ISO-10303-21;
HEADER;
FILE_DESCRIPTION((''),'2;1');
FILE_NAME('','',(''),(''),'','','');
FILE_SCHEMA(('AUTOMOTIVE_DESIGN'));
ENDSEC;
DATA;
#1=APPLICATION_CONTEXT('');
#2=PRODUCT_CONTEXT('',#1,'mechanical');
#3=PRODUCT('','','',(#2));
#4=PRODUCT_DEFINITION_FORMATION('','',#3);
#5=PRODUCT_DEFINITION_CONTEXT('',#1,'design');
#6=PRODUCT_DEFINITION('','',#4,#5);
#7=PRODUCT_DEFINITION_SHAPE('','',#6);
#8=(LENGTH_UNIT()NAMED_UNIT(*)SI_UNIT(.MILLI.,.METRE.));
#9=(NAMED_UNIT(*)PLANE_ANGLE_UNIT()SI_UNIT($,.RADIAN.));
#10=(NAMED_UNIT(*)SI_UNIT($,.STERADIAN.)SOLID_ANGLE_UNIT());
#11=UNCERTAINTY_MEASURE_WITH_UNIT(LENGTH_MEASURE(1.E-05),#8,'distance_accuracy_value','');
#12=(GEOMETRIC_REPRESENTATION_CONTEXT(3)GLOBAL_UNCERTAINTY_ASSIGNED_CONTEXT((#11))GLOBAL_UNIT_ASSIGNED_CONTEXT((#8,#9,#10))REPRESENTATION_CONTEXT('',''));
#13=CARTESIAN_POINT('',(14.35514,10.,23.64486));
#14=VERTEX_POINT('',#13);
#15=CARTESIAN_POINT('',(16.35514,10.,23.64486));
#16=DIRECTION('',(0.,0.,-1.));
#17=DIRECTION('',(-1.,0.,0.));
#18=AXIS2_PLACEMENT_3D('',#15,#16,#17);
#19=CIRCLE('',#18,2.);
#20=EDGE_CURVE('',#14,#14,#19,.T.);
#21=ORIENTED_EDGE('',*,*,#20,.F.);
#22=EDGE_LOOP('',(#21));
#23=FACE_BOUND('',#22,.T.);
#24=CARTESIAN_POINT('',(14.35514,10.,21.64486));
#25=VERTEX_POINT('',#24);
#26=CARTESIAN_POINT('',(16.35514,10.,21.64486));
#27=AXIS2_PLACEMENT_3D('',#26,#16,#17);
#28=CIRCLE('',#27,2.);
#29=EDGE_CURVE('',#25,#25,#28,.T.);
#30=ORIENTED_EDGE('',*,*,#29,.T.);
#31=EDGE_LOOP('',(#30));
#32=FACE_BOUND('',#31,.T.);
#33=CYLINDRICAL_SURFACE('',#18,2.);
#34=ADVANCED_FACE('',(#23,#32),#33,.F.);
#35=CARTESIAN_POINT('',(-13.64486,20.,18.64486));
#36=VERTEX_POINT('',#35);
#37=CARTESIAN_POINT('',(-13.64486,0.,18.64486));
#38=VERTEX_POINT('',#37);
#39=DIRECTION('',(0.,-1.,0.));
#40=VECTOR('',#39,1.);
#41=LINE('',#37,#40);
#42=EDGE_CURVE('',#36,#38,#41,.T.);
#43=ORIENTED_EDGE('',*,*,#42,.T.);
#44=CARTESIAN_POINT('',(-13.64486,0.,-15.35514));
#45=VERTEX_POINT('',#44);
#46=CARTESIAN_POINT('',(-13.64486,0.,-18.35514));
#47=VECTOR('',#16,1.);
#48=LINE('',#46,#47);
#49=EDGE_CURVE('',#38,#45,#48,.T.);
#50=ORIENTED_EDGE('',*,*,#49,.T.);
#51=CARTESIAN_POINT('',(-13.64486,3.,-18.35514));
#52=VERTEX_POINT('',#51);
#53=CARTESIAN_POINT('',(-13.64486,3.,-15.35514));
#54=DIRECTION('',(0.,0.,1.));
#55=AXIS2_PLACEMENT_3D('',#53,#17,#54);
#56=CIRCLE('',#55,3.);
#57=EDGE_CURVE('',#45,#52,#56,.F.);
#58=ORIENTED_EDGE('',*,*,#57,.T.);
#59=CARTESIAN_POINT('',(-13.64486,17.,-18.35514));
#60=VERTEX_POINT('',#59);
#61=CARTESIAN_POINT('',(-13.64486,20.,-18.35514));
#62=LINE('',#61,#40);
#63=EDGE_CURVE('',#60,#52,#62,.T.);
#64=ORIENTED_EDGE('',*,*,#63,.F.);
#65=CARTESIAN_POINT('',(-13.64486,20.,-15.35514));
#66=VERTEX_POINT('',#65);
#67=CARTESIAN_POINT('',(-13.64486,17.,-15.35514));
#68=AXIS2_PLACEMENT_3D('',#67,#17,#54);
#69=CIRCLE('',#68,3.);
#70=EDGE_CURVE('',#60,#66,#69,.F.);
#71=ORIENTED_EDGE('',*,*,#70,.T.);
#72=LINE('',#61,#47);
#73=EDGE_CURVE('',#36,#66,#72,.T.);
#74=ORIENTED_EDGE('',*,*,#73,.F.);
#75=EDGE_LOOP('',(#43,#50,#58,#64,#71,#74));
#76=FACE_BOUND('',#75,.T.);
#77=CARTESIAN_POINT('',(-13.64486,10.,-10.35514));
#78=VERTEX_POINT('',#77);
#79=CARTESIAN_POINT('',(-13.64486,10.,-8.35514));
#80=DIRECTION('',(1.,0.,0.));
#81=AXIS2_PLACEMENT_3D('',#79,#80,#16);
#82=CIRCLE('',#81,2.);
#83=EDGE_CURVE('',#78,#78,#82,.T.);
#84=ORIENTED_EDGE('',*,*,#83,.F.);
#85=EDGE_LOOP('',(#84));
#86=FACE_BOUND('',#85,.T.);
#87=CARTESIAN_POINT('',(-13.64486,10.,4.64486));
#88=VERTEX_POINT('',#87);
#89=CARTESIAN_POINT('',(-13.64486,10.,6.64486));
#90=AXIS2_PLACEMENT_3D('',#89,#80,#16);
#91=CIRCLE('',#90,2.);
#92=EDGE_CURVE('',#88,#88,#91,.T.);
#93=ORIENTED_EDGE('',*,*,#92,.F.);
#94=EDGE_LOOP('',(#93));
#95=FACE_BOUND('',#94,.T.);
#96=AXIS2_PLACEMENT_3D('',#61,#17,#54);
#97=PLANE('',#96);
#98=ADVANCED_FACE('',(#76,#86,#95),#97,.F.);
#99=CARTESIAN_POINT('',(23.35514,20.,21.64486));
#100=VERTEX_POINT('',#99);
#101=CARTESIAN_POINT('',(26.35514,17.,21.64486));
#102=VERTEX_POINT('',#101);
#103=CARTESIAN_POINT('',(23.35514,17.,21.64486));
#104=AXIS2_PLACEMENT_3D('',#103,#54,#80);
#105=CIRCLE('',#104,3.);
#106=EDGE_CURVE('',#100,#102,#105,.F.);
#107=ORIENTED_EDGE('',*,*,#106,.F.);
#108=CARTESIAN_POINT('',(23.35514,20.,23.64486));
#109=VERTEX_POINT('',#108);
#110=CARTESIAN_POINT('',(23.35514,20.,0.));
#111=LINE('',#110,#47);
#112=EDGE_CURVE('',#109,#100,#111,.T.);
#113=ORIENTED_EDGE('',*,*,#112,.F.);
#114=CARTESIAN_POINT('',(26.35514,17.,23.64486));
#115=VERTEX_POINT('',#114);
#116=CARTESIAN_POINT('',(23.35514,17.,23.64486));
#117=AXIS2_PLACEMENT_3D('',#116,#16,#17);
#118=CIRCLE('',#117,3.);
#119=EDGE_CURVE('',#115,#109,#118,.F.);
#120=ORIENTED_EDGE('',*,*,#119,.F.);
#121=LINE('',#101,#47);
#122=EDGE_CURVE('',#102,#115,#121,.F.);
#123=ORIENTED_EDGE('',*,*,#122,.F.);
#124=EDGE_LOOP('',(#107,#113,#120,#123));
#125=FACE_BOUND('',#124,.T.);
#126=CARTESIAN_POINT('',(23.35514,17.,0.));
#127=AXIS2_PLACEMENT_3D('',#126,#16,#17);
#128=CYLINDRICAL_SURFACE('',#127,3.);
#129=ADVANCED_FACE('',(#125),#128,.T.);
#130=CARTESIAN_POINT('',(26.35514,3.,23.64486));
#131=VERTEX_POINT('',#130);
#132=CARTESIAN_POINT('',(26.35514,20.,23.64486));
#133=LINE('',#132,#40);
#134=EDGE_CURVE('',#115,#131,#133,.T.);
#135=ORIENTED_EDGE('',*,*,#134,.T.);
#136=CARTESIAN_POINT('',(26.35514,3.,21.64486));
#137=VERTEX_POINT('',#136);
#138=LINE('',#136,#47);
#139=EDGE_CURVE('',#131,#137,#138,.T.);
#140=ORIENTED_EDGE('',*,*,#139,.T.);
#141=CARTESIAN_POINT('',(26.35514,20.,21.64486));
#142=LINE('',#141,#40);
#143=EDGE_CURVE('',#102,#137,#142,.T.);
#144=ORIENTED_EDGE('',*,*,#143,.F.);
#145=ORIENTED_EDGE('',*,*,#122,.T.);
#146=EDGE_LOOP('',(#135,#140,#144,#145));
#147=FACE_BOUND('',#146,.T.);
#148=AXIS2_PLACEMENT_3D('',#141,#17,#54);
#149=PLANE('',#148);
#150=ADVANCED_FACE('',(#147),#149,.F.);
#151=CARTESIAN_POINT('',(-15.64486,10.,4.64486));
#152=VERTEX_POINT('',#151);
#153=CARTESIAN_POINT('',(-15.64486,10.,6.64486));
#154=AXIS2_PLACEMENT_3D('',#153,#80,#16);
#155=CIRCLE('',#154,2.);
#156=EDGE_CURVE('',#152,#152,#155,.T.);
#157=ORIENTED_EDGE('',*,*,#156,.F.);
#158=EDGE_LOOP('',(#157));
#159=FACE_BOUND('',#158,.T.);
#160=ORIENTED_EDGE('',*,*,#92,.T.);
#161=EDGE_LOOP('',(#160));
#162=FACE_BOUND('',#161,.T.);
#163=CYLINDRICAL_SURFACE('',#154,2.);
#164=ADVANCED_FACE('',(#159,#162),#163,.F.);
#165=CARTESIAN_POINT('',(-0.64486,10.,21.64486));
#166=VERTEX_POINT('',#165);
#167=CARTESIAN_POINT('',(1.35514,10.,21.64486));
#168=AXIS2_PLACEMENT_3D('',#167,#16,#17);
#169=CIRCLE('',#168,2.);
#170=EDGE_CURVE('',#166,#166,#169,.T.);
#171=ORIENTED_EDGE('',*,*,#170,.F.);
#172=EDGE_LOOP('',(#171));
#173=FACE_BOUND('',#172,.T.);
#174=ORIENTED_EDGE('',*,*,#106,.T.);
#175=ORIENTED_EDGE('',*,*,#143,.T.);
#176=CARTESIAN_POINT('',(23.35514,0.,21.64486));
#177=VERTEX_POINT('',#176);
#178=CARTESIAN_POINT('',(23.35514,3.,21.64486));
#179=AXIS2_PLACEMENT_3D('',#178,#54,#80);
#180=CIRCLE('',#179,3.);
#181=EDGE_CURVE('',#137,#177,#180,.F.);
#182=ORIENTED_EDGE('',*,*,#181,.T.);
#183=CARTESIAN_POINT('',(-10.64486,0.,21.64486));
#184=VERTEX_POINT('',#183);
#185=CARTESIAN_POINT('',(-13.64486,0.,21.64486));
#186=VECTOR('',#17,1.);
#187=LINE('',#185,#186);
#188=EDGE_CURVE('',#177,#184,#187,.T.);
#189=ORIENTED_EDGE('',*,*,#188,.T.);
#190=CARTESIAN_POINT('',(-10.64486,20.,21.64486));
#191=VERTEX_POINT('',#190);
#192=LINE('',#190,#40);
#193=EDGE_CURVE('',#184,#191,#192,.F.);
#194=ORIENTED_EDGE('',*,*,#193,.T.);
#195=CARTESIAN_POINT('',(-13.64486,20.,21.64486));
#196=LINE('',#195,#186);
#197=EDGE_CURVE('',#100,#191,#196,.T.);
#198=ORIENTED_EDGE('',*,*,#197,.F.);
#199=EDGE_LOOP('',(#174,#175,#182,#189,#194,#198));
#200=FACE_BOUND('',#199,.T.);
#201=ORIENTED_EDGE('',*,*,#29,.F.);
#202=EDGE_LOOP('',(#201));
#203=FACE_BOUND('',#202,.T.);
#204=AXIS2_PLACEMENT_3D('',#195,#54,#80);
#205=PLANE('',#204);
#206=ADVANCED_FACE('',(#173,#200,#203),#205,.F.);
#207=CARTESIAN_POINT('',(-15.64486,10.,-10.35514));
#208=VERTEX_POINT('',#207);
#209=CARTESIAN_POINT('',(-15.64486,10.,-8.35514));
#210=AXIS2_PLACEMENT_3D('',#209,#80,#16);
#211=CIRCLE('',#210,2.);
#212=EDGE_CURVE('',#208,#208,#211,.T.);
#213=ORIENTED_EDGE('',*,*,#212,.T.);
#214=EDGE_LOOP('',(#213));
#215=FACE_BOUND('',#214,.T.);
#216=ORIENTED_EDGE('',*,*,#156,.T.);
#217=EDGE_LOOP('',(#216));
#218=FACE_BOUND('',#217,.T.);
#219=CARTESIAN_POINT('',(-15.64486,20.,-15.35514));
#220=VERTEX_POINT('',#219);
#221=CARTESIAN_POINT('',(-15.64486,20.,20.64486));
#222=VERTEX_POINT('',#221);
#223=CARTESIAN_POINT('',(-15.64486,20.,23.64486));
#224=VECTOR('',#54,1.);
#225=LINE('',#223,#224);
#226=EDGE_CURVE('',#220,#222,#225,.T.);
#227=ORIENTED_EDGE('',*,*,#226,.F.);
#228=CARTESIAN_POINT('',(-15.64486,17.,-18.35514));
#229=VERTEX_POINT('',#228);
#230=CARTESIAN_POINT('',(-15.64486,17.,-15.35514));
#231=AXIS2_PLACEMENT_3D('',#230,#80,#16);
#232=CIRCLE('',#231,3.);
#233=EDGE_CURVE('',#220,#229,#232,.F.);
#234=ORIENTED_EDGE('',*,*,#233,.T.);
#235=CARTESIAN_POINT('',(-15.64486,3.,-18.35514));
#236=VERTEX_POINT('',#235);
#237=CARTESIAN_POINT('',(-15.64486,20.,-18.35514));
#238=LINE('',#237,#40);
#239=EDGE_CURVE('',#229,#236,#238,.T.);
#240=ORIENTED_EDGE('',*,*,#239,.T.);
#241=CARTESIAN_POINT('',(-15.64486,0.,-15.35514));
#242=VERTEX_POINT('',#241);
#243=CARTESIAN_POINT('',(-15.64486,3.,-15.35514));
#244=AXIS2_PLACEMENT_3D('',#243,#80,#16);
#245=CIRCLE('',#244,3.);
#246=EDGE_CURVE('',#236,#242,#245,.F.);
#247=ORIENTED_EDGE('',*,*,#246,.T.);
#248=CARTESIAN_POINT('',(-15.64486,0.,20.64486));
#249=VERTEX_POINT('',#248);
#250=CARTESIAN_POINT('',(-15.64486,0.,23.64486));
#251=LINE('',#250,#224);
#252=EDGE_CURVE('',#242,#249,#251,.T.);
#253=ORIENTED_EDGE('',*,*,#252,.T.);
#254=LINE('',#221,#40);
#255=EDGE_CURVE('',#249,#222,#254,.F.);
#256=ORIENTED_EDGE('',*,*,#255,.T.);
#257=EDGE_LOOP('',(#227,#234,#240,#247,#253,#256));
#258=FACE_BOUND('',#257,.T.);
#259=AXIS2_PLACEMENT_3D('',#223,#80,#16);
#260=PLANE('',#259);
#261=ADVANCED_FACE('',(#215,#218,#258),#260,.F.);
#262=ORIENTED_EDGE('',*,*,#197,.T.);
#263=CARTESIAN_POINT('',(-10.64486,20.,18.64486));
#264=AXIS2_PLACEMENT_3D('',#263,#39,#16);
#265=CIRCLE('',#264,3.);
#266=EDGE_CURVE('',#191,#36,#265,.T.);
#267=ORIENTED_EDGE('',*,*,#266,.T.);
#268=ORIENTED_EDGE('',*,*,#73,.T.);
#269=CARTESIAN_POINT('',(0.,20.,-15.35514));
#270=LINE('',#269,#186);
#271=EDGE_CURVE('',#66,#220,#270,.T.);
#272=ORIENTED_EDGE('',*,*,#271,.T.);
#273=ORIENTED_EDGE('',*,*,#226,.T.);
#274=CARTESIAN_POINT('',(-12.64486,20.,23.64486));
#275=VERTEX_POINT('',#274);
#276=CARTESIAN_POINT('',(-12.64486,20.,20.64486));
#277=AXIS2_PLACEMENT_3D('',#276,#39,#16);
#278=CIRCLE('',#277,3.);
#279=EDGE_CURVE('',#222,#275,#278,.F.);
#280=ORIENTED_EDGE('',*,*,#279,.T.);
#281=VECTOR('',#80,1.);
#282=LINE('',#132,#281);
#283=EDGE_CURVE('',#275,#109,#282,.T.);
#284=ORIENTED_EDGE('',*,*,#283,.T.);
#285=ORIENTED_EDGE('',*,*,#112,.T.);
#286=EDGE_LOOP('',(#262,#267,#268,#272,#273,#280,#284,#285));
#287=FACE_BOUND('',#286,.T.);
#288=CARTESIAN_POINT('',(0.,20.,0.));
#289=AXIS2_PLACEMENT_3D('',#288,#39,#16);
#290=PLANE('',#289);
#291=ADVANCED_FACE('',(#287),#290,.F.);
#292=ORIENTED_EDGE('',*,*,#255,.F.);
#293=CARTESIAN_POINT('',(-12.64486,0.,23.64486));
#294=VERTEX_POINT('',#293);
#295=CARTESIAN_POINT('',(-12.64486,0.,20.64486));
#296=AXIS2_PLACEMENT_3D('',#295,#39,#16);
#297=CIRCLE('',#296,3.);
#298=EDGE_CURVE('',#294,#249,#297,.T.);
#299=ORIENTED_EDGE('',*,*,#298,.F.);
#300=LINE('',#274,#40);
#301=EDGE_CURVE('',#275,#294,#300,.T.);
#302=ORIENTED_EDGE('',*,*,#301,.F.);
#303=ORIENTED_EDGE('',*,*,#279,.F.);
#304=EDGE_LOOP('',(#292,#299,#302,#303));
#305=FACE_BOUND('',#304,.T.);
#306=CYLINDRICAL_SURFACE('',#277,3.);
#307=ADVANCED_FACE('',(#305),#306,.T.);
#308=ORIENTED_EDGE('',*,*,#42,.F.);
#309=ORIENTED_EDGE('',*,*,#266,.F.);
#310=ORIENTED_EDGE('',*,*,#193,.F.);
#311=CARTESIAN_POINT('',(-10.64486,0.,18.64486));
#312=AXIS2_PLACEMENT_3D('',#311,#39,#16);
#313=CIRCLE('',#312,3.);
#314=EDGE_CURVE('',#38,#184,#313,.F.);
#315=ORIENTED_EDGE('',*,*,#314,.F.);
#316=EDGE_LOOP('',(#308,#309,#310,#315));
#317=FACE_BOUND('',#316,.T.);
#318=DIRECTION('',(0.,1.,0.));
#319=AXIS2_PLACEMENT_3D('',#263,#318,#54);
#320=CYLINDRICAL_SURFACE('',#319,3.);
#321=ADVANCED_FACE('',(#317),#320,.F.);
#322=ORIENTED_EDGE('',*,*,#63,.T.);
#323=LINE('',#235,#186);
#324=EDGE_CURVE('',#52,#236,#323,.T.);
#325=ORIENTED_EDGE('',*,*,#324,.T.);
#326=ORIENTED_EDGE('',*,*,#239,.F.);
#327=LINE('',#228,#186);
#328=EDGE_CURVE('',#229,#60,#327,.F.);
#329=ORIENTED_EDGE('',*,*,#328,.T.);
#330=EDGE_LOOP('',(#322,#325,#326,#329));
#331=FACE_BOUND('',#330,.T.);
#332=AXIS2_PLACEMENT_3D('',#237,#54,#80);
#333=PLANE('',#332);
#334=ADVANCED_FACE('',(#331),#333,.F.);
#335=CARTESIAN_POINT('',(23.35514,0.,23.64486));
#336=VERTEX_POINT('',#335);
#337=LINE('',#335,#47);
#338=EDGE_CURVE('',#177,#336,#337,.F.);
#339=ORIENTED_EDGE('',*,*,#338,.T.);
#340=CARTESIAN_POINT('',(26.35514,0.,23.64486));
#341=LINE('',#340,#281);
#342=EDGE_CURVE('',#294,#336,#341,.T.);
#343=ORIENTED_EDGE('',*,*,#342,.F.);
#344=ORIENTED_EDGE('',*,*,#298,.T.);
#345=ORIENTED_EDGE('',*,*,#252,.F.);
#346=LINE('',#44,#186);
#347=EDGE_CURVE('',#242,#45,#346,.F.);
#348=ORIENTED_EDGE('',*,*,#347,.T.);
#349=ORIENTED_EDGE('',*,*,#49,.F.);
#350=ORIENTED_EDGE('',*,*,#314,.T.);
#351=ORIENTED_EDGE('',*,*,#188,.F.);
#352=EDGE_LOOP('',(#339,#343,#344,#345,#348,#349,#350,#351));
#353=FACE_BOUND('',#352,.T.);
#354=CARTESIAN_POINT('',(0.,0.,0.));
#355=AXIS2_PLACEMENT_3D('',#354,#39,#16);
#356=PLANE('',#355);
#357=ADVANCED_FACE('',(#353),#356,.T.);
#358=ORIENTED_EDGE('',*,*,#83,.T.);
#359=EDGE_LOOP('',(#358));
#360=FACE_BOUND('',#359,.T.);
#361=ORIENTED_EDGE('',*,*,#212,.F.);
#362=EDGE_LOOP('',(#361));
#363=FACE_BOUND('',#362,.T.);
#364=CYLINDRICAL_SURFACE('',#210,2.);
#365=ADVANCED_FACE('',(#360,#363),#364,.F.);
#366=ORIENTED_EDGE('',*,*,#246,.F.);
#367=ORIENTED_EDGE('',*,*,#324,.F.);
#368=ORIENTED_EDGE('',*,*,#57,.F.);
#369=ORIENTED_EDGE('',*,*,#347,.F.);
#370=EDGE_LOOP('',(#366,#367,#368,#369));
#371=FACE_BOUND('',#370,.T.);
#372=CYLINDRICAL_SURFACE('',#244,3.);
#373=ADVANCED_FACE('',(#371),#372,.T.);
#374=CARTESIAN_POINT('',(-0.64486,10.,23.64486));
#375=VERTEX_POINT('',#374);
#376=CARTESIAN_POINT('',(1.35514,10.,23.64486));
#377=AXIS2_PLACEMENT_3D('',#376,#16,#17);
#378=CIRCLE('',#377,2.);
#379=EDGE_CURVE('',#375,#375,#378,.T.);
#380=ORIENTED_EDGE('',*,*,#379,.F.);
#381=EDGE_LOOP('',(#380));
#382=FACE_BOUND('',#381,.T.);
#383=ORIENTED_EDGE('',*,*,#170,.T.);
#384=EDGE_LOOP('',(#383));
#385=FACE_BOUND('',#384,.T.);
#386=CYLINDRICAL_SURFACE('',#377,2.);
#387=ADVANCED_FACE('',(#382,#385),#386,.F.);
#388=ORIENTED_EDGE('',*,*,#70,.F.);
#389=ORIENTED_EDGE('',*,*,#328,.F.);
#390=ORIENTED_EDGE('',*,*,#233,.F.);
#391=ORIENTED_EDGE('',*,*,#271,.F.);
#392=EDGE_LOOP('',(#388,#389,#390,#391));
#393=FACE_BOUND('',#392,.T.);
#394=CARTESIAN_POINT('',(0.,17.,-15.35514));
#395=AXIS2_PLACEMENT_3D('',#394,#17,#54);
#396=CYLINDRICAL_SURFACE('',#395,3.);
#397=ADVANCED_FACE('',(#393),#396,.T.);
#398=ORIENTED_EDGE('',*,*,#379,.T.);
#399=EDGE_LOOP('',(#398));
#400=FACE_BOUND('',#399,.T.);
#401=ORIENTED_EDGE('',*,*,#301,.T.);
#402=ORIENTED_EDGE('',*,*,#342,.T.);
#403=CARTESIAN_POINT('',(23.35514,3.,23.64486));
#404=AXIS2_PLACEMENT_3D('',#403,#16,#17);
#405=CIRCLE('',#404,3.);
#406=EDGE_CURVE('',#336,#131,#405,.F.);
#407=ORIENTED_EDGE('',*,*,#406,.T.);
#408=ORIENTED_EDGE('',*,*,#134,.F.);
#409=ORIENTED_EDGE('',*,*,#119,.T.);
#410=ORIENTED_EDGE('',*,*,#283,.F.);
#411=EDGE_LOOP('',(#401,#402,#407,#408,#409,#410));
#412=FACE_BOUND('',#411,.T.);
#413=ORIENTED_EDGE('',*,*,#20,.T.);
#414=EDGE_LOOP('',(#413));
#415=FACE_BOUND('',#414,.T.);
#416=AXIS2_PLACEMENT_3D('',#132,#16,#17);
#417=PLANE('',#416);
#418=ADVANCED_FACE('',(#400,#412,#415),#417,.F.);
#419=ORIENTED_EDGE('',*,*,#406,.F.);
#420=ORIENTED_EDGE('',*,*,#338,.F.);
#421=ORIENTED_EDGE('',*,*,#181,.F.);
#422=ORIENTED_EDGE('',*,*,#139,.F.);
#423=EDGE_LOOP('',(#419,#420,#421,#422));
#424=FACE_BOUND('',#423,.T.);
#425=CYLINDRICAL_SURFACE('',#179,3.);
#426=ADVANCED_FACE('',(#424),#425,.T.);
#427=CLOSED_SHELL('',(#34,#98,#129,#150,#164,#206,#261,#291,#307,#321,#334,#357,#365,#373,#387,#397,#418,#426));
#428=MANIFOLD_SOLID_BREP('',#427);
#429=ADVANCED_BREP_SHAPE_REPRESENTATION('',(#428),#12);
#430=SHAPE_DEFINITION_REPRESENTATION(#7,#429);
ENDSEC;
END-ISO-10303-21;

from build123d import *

# Parameters (mm, degrees)
BOSS_EXTRUDE1_DEPTH = 20
FILLET1_R           = 3
SKETCH3_R           = 2
CUT_EXTRUDE1_DEPTH  = 52.909473261
SKETCH4_R           = 2
CUT_EXTRUDE2_DEPTH  = 51.587344223


with BuildPart() as part:
    # Sketch1 → Boss-Extrude1 (new body)
    with BuildSketch(Plane(origin=(0, 0, 0), x_dir=(1, 0, 0), z_dir=(0, 1, 0))):
        Polygon((-13.644859813, 18.355140187), (-13.644859813, -21.644859813), (26.355140187, -21.644859813), (26.355140187, -23.644859813), (-15.644859813, -23.644859813), (-15.644859813, 18.355140187), align=None)
    extrude(amount=BOSS_EXTRUDE1_DEPTH)

    # Fillet1
    fillet1_edges = [part.edges().sort_by_distance(p)[0] for p in [
        (-13.644859813, 10, 21.644859813),
        (-15.644859813, 10, 23.644859813),
        (26.355140187, 20, 22.644859813),
        (-14.644859813, 20, -18.355140187),
        (26.355140187, 0, 22.644859813),
        (-14.644859813, 0, -18.355140187),
    ]]
    fillet(fillet1_edges, radius=FILLET1_R)

    # Sketch3 → Cut-Extrude1 (cut, through all)
    with BuildSketch(Plane(origin=(0, 0, 21.644859813), x_dir=(-1, 0, 0), z_dir=(0, 0, -1))):
        with Locations((-1.355140187, 10)):
            Circle(SKETCH3_R)
        with Locations((-16.355140187, 10)):
            Circle(SKETCH3_R)
    extrude(amount=-CUT_EXTRUDE1_DEPTH, mode=Mode.SUBTRACT)

    # Sketch4 → Cut-Extrude2 (cut, through all)
    with BuildSketch(Plane(origin=(-13.644859813, 0, 0), x_dir=(0, 0, -1), z_dir=(1, 0, 0))):
        with Locations((8.355140187, 10)):
            Circle(SKETCH4_R)
        with Locations((-6.644859813, 10)):
            Circle(SKETCH4_R)
    extrude(amount=-CUT_EXTRUDE2_DEPTH, mode=Mode.SUBTRACT)


solid = part.part
